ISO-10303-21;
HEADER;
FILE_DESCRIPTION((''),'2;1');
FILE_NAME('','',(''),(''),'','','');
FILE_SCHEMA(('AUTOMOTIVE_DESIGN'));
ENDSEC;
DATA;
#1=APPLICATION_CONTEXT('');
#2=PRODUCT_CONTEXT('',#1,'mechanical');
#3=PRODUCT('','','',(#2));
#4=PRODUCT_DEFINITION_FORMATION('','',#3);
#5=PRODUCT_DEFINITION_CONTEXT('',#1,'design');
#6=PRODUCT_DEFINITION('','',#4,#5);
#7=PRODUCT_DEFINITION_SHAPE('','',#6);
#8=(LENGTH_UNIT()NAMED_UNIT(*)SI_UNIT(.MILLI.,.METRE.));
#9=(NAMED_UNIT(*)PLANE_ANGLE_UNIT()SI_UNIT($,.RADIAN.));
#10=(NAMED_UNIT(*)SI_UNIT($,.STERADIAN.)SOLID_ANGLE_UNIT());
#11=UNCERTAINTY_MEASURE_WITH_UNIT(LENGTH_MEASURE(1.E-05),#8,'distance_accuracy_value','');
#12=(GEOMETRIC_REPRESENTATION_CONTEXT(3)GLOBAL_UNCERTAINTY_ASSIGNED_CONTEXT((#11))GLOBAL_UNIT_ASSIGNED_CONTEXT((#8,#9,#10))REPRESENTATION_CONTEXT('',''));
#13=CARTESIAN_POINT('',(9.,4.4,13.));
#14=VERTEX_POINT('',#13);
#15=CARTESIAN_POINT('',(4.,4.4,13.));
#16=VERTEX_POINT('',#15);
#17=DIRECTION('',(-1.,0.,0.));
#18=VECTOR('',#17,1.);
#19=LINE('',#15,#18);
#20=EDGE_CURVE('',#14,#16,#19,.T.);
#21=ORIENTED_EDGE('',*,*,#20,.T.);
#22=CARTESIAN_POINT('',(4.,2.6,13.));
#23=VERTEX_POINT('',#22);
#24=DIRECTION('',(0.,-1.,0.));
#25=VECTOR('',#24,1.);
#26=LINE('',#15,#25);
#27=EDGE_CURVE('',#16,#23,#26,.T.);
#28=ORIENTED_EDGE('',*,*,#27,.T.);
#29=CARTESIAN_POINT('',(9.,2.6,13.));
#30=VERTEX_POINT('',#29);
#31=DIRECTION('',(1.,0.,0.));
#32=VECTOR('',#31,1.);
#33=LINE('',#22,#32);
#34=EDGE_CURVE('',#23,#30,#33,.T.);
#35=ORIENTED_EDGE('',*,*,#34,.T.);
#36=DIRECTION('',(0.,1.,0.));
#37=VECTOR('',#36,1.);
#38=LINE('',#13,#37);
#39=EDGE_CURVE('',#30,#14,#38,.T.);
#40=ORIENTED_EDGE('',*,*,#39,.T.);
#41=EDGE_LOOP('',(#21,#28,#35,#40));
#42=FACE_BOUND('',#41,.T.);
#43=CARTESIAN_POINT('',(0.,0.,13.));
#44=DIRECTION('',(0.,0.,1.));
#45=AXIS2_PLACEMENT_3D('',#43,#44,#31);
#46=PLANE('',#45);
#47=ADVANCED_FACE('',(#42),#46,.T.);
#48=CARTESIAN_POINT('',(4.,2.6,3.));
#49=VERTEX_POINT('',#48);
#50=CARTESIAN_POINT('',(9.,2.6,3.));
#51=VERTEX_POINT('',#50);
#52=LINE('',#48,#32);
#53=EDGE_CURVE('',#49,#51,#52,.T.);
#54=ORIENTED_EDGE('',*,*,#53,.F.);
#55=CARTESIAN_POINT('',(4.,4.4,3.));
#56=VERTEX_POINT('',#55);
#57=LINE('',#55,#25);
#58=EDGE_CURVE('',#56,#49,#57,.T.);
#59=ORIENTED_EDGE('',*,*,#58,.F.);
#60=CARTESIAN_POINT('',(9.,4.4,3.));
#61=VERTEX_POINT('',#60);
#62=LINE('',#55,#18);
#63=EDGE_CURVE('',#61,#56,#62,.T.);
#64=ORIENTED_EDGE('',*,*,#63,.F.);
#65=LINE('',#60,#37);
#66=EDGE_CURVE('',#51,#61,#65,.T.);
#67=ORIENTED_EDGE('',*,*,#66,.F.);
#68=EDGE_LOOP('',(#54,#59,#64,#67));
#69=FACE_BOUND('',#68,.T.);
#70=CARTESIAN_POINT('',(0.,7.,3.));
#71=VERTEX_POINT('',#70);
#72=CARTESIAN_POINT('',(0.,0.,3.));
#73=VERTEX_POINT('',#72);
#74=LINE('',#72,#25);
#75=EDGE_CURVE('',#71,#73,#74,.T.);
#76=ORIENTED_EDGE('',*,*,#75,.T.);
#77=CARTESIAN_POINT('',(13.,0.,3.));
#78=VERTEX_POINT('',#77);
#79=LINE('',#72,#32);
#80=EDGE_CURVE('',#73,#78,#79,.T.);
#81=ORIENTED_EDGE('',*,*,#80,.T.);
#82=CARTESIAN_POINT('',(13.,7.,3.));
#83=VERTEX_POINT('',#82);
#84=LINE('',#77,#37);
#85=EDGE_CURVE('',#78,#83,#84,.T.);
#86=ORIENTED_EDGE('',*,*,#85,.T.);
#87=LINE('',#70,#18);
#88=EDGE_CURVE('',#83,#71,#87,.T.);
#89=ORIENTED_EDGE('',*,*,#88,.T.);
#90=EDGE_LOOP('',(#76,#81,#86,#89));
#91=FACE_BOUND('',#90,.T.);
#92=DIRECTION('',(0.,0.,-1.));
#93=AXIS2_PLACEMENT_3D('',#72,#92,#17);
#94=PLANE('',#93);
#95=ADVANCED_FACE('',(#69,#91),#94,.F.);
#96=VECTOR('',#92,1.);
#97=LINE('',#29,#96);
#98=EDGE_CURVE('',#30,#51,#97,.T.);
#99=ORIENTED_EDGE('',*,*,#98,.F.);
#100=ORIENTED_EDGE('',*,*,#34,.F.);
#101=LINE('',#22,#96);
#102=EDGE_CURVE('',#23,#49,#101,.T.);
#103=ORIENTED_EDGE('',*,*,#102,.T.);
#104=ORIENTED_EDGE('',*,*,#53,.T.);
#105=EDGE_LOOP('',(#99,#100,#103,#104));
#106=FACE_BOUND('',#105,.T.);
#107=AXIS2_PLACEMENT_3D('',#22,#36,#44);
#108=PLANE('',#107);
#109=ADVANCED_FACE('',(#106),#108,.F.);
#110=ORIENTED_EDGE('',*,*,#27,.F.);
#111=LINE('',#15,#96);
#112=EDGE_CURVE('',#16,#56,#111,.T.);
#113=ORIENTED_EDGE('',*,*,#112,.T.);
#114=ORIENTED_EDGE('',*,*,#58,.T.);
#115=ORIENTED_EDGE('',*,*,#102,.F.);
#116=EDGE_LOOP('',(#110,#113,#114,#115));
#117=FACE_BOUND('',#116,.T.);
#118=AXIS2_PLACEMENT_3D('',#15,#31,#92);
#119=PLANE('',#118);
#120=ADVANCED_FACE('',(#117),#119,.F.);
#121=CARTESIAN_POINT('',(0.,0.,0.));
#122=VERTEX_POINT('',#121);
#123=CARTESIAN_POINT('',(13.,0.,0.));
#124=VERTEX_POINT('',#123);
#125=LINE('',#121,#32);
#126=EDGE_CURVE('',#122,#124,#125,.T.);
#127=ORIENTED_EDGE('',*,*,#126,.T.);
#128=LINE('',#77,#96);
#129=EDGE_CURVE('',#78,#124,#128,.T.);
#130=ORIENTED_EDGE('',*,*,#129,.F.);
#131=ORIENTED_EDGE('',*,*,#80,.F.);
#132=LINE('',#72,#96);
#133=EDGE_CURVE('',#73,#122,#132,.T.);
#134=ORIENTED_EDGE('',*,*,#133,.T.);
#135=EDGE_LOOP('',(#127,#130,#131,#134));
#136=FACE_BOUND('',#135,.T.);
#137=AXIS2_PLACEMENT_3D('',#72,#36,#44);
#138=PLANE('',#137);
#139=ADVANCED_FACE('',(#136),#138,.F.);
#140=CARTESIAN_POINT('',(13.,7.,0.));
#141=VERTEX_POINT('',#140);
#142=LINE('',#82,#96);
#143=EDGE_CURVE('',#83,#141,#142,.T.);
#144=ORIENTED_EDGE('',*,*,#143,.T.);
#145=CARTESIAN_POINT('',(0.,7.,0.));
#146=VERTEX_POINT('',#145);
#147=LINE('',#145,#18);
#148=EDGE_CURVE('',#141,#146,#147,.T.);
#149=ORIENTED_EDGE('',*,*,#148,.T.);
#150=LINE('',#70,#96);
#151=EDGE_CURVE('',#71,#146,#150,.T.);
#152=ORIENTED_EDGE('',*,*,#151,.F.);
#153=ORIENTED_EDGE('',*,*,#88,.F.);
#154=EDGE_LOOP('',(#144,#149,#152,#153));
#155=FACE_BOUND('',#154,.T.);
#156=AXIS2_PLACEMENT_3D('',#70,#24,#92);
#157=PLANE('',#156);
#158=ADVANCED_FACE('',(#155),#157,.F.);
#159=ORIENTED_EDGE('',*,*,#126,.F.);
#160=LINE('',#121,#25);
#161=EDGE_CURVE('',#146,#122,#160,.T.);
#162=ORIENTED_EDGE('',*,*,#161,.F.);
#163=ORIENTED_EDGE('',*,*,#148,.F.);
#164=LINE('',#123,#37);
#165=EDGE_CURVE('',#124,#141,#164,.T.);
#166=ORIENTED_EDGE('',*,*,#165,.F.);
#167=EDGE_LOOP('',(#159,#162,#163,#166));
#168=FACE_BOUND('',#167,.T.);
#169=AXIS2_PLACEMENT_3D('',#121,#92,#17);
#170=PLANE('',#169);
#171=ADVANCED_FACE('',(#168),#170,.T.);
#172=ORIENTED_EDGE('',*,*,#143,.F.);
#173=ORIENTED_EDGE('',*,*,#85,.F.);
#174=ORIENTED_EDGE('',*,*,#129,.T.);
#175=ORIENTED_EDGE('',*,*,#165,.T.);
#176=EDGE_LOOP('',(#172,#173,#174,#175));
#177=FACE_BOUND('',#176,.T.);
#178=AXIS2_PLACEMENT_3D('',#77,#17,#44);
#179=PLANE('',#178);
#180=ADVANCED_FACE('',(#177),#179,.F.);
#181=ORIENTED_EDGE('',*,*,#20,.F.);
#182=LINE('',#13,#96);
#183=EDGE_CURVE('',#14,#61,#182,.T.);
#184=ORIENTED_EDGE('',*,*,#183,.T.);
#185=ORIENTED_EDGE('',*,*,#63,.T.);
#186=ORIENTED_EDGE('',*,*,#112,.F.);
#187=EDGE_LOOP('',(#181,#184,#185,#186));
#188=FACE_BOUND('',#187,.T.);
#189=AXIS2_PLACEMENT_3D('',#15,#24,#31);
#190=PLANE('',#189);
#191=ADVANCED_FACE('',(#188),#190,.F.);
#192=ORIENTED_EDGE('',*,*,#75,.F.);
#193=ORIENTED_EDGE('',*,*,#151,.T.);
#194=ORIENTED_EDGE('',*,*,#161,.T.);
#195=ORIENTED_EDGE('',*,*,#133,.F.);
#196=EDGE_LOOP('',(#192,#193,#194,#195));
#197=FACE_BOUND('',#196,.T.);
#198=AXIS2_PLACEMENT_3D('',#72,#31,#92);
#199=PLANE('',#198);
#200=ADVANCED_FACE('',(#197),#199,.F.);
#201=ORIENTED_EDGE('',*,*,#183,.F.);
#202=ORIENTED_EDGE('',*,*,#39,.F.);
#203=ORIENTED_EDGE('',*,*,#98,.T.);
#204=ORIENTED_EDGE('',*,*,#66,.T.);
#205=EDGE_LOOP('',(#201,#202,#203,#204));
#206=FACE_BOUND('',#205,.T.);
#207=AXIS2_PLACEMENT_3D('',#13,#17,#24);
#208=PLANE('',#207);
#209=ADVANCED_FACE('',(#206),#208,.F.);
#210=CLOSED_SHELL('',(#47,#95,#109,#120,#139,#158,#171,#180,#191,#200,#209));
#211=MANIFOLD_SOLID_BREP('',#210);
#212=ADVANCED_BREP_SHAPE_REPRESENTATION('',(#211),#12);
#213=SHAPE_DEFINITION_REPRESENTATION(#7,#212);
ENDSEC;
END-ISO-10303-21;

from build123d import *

# Parameters (mm, degrees)
ESQUISSE2_W        = 13
ESQUISSE2_H        = 7
BOSS_EXTRU_1_DEPTH = 3
ESQUISSE4_W        = 5
ESQUISSE4_H        = 1.8
BOSS_EXTRU_2_DEPTH = 10


with BuildPart() as part:
    # Esquisse2 → Boss.-Extru.1 (new body)
    with BuildSketch(Plane.XY):
        with Locations((6.5, 3.5)):
            Rectangle(ESQUISSE2_W, ESQUISSE2_H)
    extrude(amount=BOSS_EXTRU_1_DEPTH)

    # Esquisse4 → Boss.-Extru.2 (add)
    with BuildSketch(Plane.XY.offset(3)):
        with Locations((6.5, 3.5)):
            Rectangle(ESQUISSE4_W, ESQUISSE4_H)
    extrude(amount=BOSS_EXTRU_2_DEPTH)


solid = part.part
